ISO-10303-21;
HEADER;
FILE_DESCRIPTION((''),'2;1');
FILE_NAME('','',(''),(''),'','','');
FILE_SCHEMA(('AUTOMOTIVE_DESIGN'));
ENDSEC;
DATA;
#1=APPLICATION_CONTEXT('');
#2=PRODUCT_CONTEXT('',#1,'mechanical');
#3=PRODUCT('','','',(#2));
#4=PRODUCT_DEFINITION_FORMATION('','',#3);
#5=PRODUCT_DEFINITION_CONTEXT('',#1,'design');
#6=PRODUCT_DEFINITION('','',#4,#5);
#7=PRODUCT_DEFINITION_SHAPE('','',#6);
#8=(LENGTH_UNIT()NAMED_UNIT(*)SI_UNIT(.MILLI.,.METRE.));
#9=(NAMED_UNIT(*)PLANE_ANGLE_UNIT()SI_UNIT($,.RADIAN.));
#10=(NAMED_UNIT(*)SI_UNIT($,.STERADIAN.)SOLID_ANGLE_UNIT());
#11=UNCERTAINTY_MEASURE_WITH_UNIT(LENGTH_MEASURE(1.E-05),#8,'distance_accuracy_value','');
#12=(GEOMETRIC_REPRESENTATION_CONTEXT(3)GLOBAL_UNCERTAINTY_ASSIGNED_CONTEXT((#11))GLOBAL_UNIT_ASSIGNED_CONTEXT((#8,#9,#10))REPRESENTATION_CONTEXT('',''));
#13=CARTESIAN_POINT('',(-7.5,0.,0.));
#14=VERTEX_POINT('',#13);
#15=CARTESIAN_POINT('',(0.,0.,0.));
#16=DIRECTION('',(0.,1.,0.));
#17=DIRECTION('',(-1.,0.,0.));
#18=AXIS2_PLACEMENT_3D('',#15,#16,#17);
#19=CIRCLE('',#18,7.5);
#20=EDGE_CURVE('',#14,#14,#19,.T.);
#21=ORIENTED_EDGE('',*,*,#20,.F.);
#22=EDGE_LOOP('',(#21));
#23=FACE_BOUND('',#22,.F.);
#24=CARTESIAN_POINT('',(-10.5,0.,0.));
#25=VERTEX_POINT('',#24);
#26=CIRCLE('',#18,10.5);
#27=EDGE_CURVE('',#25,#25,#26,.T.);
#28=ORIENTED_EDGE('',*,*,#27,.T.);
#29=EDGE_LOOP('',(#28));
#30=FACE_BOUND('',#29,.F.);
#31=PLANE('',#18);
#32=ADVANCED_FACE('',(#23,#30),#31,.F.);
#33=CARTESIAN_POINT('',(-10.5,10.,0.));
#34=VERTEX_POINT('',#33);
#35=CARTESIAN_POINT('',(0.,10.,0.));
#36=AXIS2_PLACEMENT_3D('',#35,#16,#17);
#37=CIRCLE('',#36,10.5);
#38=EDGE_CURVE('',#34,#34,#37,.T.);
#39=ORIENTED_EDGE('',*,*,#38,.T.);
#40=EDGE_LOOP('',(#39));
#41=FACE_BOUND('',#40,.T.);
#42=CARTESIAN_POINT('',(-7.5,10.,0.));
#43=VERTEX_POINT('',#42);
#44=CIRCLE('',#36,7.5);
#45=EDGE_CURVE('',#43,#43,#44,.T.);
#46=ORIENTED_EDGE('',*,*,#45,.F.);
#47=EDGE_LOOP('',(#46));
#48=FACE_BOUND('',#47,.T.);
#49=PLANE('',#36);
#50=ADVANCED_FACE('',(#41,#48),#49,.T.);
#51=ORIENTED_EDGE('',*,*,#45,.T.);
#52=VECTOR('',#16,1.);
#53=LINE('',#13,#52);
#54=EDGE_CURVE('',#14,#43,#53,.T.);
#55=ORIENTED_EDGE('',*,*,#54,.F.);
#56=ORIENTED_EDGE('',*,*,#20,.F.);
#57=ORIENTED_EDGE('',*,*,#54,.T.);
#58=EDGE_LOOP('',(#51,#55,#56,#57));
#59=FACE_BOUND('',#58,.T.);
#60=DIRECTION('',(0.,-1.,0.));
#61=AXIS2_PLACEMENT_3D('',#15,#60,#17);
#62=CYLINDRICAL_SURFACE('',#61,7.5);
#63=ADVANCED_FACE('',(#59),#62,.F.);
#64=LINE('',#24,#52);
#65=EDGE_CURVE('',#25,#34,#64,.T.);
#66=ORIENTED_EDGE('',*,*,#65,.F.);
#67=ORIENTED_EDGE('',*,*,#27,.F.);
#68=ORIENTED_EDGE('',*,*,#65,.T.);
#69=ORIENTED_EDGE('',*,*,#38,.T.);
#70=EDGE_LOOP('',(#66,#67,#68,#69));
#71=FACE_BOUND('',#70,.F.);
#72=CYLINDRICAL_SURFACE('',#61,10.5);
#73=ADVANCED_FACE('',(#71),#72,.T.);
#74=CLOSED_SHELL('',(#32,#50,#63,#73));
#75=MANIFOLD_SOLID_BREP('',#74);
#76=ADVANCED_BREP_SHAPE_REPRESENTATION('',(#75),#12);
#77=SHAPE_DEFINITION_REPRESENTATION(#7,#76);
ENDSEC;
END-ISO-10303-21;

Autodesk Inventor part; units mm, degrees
ref_plane "YZ Plane" through (0, 0, 0) normal (1, 0, 0) x (0, 1, 0)
ref_plane "XZ Plane" through (0, 0, 0) normal (0, 1, 0) x (-1, 0, 0)
ref_plane "XY Plane" through (0, 0, 0) normal (0, 0, 1) x (1, 0, 0)
sketch "スケッチ1" plane through (0, 0, 0) normal (0, 1, 0) x (-1, 0, 0)
  circle A0 centre (0, 0) radius 10.5
  circle A1 centre (0, 0) radius 7.5
  dimension "d0" = 21
  dimension "d1" = 15
extrude "押し出し1" add sketch "スケッチ1" along normal blind 10
properties part number "知能ロボコンスペーサ"
